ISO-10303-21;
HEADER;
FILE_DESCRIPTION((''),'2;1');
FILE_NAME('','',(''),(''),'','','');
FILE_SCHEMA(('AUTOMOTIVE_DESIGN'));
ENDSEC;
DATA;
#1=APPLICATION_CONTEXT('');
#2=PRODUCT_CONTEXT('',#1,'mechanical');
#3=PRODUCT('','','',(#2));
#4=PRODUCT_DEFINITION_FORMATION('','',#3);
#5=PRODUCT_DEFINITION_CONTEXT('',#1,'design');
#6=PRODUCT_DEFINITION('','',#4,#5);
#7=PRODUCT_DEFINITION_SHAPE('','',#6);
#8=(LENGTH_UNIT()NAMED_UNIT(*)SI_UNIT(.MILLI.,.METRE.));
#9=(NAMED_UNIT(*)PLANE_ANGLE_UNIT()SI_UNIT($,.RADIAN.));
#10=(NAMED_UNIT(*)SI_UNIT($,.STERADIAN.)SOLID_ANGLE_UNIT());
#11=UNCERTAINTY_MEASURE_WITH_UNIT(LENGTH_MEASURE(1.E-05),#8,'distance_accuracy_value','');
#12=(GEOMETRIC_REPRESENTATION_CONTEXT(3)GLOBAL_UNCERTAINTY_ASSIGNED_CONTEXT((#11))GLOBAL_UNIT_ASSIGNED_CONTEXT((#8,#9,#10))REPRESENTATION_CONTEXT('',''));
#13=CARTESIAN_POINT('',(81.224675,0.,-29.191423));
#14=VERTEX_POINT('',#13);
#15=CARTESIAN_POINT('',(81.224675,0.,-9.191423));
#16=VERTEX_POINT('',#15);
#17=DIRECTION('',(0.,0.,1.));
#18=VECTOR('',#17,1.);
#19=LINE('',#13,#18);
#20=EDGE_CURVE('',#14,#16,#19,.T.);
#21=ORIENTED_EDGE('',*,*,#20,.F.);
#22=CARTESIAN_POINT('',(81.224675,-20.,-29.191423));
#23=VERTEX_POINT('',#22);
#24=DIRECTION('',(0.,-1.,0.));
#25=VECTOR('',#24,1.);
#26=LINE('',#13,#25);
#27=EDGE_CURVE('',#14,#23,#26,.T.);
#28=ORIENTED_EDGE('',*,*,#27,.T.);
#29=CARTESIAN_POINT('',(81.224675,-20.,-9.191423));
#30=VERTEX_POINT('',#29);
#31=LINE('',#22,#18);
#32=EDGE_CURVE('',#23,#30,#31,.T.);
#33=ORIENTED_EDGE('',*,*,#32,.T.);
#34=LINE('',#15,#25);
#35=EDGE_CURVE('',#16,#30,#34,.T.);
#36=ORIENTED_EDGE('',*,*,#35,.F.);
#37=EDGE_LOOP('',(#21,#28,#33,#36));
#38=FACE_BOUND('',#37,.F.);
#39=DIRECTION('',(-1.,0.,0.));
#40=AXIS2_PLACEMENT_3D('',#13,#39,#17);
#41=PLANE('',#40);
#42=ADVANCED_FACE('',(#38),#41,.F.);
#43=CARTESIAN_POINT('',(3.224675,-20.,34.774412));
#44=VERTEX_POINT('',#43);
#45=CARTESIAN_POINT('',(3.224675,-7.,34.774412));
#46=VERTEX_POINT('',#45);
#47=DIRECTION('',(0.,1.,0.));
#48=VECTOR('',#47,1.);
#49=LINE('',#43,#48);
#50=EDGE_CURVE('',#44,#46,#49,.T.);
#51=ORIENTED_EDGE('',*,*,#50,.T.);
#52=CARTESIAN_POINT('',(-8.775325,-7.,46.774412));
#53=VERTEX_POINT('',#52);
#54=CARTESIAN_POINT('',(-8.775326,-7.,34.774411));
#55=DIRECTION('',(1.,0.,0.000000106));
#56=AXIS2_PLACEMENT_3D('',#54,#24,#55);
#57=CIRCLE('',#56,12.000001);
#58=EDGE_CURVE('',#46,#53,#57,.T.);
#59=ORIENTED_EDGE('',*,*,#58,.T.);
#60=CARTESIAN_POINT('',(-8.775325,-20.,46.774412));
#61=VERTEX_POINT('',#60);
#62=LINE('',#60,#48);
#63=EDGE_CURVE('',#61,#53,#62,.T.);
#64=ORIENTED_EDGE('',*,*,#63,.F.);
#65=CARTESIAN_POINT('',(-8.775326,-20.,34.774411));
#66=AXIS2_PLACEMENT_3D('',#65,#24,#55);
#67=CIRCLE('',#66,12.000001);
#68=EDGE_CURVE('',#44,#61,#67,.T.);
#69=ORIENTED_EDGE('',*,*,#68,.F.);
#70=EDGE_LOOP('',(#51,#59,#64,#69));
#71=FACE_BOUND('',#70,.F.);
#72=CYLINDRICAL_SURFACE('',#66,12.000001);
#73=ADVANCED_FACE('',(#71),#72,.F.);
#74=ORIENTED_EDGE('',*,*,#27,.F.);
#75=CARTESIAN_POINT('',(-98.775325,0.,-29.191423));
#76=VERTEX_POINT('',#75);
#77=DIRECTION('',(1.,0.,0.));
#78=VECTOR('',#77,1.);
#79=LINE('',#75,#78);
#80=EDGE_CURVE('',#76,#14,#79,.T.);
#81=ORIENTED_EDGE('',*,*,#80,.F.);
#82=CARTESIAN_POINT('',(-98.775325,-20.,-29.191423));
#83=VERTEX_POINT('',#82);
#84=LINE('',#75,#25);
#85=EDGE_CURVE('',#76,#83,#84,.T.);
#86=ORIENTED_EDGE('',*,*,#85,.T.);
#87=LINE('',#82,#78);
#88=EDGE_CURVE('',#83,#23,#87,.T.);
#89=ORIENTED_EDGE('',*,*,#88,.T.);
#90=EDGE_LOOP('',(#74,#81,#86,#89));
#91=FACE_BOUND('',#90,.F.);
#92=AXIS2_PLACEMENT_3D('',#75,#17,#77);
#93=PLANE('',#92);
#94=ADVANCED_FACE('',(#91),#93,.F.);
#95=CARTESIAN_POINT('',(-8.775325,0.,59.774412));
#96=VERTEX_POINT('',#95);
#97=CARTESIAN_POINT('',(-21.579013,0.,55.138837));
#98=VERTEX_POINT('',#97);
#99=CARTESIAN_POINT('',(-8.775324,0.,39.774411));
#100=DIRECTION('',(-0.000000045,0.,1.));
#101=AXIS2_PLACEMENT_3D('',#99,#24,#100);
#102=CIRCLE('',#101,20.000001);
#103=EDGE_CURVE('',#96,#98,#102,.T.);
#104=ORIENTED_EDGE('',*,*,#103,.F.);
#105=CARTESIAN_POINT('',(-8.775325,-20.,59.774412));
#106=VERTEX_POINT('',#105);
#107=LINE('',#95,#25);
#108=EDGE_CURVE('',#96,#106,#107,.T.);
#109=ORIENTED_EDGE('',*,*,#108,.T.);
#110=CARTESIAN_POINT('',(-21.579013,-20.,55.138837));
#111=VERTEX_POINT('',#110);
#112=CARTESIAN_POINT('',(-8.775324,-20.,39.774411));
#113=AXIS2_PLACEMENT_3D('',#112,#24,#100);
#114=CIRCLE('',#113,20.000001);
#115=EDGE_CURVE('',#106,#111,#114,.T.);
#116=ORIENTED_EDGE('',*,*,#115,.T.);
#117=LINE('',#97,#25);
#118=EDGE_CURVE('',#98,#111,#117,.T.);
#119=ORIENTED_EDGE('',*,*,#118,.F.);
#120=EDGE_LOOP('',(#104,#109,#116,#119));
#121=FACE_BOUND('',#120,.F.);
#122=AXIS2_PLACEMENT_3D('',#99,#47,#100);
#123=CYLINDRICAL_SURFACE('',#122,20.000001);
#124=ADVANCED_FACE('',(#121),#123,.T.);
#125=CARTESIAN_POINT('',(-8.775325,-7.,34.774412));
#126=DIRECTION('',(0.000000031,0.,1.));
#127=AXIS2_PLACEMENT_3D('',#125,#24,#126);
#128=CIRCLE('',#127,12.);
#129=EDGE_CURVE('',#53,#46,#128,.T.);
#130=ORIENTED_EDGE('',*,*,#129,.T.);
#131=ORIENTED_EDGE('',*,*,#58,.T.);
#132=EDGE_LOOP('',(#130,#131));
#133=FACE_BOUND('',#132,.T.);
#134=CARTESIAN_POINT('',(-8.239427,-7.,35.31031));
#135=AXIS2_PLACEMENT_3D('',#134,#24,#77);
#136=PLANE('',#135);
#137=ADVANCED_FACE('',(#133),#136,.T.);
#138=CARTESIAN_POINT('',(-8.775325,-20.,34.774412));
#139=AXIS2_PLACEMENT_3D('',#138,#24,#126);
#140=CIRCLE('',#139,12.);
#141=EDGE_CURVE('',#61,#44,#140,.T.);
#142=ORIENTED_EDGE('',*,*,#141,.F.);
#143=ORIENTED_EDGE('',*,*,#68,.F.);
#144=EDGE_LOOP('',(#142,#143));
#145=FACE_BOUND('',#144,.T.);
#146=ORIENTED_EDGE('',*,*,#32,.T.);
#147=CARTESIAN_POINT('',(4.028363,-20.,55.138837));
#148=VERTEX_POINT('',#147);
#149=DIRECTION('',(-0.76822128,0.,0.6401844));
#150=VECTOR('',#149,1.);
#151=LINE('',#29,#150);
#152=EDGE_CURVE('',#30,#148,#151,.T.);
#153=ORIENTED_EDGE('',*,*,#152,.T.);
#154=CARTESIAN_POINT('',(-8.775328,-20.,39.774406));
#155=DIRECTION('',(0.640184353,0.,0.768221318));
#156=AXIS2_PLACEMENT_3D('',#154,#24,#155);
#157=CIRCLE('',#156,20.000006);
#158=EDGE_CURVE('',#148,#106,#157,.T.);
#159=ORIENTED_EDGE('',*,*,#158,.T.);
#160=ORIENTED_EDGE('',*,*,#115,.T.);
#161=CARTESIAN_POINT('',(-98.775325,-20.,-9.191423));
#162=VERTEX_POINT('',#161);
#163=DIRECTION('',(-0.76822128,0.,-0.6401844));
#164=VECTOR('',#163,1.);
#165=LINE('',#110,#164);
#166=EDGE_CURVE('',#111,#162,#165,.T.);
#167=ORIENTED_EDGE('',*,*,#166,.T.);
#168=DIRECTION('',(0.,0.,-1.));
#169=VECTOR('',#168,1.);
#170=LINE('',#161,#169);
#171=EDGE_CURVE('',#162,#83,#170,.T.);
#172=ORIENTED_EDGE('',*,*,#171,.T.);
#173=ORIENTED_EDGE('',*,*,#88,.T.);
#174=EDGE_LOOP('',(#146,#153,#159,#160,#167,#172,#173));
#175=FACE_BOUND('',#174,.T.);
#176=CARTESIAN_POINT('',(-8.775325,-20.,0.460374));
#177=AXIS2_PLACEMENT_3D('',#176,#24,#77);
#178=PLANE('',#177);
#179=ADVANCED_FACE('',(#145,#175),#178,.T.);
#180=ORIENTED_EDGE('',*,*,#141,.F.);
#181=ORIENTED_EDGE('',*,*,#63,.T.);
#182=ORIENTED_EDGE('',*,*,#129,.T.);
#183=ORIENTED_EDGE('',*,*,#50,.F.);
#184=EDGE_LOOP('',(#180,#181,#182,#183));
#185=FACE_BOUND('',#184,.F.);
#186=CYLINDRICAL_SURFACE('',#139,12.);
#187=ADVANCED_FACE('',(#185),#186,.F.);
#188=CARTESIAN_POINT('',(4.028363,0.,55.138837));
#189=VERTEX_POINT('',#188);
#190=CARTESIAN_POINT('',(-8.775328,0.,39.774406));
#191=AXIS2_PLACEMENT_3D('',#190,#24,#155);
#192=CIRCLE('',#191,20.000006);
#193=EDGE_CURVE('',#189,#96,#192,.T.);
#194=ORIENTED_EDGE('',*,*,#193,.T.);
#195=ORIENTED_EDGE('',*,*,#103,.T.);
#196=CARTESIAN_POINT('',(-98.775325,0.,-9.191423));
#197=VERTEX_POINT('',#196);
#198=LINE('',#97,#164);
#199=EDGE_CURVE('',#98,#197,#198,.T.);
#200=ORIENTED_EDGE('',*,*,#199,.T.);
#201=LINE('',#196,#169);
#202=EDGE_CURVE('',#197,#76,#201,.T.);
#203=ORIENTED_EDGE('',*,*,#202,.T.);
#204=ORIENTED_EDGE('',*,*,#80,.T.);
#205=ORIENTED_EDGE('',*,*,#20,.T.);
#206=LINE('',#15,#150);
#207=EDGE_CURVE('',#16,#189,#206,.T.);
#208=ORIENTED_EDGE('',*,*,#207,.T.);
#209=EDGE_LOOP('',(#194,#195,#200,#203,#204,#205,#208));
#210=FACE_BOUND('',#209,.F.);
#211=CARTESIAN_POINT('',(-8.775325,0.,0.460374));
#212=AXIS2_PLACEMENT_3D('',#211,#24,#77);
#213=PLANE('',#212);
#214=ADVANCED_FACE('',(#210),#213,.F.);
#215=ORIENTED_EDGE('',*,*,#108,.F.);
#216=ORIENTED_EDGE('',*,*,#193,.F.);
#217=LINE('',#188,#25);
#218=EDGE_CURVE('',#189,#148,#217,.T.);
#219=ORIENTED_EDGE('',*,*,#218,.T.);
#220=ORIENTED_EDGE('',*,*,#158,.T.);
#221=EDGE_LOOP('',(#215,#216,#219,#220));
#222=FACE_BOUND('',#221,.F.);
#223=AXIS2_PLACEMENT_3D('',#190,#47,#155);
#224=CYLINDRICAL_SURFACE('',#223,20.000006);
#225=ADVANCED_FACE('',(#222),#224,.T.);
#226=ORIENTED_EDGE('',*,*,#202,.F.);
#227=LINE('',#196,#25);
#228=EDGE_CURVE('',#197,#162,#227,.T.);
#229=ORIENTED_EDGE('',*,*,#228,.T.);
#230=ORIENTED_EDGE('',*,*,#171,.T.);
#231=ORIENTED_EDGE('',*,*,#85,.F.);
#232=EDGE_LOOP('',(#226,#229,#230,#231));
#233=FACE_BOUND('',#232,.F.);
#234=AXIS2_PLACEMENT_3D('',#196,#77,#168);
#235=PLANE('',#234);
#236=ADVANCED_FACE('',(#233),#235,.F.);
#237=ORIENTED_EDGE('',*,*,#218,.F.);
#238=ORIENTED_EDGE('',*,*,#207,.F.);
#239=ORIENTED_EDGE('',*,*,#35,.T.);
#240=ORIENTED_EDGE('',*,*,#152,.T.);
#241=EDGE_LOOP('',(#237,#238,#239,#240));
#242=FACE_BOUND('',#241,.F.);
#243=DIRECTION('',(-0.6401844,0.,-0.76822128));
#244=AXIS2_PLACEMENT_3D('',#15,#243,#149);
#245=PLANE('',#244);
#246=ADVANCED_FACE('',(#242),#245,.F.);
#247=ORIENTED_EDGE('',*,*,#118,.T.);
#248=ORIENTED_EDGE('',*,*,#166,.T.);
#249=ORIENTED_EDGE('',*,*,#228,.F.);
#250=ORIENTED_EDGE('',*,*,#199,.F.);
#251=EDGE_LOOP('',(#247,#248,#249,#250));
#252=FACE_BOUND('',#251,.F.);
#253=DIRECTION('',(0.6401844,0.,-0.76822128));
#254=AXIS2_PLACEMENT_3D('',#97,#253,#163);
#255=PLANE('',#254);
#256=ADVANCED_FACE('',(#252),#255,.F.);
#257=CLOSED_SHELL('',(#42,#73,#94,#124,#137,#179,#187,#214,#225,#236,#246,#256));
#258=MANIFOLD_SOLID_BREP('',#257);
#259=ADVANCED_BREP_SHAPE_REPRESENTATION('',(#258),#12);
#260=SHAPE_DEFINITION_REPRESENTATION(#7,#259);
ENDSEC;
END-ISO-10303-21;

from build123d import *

# Parameters (mm, degrees)
F1_DEPTH = 20
F3_DEPTH = 13


with BuildPart() as f1:
    # F0 (on Front) → F1 (new body)
    with BuildSketch(Plane.XZ):
        with BuildLine():
            Line((-98.775325, -9.191423), (-98.775325, -29.191423))
            Line((-98.775325, -29.191423), (81.224675, -29.191423))
            Line((81.224675, -29.191423), (81.224675, -9.191423))
            Line((81.224675, -9.191423), (4.028363, 55.138837))
            ThreePointArc((4.028363, 55.138837), (-1.96682, 58.579843), (-8.775325, 59.774412))
            ThreePointArc((-8.775325, 59.774412), (-15.583831, 58.579843), (-21.579013, 55.138837))
            Line((-21.579013, 55.138837), (-98.775325, -9.191423))
        make_face()
    extrude(amount=F1_DEPTH)

    # F2 (on face) → F3 (cut)
    with BuildSketch(Plane.XZ.offset(20)):
        with BuildLine():
            ThreePointArc((3.224675, 34.774412), (-0.290044, 43.259693), (-8.775325, 46.774412))
            ThreePointArc((-8.775325, 46.774412), (-17.260607, 26.28913), (3.224675, 34.774412))
        make_face()
    extrude(amount=-F3_DEPTH, mode=Mode.SUBTRACT)


solid = f1.part
